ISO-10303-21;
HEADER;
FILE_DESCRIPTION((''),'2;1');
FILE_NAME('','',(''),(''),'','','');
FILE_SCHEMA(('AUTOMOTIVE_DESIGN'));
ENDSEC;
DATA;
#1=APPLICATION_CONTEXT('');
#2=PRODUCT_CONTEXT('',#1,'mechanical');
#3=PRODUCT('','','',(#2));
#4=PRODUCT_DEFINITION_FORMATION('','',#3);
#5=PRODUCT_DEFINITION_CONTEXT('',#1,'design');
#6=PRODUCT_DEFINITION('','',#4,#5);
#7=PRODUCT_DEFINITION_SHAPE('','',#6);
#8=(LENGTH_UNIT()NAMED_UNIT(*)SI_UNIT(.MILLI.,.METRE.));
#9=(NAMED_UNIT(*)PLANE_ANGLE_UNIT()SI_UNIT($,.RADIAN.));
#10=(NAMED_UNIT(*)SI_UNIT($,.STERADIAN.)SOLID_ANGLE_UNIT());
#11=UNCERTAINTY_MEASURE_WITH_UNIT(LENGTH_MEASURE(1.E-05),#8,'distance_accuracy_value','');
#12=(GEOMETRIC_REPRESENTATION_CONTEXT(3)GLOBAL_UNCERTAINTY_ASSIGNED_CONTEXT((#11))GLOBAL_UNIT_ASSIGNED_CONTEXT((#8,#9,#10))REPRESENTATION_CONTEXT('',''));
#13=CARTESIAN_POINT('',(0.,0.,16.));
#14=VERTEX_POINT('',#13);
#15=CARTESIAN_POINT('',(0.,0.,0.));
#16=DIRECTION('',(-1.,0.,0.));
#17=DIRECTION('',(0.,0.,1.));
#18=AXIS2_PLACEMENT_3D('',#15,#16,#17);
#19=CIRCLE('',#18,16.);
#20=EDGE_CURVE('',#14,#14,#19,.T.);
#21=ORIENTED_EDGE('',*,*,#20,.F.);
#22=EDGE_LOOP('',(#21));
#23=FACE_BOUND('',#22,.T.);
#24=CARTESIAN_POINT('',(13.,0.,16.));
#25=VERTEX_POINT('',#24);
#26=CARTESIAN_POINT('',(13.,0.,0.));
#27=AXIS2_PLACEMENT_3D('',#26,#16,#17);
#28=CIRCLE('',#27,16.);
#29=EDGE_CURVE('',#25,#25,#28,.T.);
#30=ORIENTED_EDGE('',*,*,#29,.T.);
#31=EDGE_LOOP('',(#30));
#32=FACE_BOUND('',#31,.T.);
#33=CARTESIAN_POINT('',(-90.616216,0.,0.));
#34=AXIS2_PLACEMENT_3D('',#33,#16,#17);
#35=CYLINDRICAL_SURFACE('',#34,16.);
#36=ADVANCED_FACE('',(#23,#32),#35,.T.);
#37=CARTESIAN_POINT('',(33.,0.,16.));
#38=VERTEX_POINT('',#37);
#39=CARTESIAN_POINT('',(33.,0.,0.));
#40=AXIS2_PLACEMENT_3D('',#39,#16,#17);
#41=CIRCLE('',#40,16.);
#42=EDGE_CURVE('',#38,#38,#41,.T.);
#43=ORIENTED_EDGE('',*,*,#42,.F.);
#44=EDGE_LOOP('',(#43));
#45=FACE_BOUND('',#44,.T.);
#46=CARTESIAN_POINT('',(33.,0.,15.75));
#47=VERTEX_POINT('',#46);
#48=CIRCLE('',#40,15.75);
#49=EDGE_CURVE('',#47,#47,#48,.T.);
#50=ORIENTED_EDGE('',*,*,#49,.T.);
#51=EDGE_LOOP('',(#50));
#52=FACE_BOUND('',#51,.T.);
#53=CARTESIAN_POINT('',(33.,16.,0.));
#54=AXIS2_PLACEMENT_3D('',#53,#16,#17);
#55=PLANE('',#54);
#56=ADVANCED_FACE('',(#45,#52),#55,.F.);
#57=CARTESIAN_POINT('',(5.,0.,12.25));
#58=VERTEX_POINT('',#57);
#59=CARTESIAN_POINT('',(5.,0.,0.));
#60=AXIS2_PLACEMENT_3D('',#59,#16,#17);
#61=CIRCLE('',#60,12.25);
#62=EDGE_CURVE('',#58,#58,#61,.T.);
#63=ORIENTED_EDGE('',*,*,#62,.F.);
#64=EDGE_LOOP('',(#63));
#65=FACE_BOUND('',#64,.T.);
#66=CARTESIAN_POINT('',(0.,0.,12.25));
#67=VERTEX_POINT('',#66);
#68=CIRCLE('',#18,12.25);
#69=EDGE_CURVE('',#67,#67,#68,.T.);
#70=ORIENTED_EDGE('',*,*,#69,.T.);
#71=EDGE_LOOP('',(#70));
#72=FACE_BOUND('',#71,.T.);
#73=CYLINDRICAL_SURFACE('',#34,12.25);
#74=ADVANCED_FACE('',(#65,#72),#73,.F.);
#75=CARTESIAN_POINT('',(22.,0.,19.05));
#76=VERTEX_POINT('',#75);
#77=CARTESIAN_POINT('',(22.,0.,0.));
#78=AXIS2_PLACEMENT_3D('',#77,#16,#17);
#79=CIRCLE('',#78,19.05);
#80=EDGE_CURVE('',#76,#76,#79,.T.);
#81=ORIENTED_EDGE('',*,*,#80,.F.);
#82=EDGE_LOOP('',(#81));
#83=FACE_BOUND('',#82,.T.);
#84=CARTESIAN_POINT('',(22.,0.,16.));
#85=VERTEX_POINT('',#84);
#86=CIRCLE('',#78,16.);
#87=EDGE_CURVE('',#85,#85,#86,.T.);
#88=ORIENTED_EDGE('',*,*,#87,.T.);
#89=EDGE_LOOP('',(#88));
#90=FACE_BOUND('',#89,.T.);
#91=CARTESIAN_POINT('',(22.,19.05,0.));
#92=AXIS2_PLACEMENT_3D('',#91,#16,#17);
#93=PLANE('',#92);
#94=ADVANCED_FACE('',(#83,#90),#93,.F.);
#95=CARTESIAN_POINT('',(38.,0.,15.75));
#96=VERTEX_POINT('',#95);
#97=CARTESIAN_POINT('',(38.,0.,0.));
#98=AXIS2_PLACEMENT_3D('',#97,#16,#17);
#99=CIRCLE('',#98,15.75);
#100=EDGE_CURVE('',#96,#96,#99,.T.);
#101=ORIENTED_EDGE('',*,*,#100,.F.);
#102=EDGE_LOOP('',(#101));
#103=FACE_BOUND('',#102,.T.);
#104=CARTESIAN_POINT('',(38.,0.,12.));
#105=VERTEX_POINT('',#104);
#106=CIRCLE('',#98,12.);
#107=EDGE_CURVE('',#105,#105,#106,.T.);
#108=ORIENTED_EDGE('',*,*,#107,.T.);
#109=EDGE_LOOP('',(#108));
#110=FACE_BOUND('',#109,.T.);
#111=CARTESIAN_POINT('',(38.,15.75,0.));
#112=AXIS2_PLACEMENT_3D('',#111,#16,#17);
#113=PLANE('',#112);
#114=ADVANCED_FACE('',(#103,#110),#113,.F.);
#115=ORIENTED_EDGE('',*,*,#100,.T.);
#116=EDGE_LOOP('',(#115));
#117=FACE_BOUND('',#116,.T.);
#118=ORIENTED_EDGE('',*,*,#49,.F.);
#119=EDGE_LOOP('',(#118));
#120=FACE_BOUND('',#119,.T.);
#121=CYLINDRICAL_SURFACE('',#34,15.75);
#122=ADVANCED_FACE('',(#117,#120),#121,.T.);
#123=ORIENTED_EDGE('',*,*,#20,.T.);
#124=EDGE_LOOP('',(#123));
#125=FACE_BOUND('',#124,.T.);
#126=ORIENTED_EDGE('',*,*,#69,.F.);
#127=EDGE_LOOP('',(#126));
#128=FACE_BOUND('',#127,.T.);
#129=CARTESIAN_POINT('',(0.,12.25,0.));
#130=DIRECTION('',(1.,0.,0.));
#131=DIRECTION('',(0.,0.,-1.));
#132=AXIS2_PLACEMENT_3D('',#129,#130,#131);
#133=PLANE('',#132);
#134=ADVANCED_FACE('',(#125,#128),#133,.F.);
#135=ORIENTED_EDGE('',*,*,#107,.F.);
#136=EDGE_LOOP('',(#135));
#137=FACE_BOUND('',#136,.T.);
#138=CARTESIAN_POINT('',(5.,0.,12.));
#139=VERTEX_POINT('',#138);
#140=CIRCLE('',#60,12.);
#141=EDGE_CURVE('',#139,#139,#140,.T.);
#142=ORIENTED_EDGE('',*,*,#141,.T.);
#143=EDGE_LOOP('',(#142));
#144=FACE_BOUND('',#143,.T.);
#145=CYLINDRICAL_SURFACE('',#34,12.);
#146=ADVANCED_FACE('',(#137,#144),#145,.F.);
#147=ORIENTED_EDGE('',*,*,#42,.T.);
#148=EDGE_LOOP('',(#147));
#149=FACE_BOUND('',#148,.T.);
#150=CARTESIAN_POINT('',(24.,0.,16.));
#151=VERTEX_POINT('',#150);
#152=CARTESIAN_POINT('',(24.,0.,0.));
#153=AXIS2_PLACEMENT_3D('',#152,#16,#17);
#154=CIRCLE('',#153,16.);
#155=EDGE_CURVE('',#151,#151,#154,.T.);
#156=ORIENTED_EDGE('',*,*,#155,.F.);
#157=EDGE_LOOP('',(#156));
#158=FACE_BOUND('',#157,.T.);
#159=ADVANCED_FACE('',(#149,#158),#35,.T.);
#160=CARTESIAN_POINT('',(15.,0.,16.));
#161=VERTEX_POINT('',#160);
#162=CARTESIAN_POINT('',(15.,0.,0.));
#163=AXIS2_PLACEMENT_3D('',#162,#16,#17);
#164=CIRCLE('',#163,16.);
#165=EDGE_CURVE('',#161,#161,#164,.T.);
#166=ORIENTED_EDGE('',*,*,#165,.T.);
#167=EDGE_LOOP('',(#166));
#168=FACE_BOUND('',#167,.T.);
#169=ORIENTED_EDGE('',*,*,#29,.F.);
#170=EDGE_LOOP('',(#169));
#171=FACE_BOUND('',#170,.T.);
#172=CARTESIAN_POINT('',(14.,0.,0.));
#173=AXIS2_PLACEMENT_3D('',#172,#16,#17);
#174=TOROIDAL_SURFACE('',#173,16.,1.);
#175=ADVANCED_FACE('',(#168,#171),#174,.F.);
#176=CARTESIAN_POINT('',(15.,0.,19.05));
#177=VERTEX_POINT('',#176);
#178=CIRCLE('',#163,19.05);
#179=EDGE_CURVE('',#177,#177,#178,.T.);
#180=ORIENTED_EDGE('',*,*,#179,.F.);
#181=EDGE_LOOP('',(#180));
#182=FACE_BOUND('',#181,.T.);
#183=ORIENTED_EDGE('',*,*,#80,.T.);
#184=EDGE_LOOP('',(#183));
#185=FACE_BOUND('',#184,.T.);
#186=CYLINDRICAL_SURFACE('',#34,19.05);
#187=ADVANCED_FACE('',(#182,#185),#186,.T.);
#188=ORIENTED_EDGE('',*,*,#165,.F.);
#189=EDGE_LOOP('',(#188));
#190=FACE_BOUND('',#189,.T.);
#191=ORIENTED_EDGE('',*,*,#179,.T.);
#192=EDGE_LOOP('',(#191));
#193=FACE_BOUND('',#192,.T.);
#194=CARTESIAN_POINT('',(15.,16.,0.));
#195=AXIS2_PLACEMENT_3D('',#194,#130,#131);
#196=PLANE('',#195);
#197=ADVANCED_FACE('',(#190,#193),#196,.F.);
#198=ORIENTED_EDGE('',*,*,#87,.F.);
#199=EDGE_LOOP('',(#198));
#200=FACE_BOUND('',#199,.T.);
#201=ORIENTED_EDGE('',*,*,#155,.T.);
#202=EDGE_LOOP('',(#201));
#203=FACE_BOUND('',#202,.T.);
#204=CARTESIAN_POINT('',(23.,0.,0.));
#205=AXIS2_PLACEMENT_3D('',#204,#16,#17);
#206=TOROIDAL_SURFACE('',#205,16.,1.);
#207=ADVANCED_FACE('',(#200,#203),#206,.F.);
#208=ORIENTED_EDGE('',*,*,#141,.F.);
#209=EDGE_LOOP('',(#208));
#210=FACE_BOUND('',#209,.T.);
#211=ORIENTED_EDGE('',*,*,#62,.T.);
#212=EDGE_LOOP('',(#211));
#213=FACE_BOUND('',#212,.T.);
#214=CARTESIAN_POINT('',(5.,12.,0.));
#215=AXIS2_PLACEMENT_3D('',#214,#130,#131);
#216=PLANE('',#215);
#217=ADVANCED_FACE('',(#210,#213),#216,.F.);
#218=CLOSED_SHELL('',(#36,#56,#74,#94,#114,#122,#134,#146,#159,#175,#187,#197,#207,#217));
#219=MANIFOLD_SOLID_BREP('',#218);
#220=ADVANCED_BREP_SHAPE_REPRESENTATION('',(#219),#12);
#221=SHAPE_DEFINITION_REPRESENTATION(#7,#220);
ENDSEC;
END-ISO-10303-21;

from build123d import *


with BuildPart() as part:
    # Esboço1 → Revolução1 (revolve)
    with BuildSketch(Plane.XY, mode=Mode.PRIVATE) as revolu_o1_sk:
        with BuildLine():
            Line((0, 12.25), (0, 16))
            Line((0, 16), (13, 16))
            ThreePointArc((13, 16), (14, 15), (15, 16))
            Line((15, 16), (15, 19.05))
            Line((15, 19.05), (22, 19.05))
            Line((22, 19.05), (22, 16))
            ThreePointArc((22, 16), (23, 15), (24, 16))
            Line((24, 16), (33, 16))
            Line((33, 16), (33, 15.75))
            Line((33, 15.75), (38, 15.75))
            Line((38, 15.75), (38, 12))
            Line((38, 12), (5, 12))
            Line((5, 12), (5, 12.25))
            Line((5, 12.25), (0, 12.25))
        make_face()
    revolve(revolu_o1_sk.sketch.rotate(Axis((-90.616216216, 0, 0), (1, 0, 0)), 90), axis=Axis((-90.616216216, 0, 0), (1, 0, 0)))  # turned: the seam where the file's is


solid = part.part
